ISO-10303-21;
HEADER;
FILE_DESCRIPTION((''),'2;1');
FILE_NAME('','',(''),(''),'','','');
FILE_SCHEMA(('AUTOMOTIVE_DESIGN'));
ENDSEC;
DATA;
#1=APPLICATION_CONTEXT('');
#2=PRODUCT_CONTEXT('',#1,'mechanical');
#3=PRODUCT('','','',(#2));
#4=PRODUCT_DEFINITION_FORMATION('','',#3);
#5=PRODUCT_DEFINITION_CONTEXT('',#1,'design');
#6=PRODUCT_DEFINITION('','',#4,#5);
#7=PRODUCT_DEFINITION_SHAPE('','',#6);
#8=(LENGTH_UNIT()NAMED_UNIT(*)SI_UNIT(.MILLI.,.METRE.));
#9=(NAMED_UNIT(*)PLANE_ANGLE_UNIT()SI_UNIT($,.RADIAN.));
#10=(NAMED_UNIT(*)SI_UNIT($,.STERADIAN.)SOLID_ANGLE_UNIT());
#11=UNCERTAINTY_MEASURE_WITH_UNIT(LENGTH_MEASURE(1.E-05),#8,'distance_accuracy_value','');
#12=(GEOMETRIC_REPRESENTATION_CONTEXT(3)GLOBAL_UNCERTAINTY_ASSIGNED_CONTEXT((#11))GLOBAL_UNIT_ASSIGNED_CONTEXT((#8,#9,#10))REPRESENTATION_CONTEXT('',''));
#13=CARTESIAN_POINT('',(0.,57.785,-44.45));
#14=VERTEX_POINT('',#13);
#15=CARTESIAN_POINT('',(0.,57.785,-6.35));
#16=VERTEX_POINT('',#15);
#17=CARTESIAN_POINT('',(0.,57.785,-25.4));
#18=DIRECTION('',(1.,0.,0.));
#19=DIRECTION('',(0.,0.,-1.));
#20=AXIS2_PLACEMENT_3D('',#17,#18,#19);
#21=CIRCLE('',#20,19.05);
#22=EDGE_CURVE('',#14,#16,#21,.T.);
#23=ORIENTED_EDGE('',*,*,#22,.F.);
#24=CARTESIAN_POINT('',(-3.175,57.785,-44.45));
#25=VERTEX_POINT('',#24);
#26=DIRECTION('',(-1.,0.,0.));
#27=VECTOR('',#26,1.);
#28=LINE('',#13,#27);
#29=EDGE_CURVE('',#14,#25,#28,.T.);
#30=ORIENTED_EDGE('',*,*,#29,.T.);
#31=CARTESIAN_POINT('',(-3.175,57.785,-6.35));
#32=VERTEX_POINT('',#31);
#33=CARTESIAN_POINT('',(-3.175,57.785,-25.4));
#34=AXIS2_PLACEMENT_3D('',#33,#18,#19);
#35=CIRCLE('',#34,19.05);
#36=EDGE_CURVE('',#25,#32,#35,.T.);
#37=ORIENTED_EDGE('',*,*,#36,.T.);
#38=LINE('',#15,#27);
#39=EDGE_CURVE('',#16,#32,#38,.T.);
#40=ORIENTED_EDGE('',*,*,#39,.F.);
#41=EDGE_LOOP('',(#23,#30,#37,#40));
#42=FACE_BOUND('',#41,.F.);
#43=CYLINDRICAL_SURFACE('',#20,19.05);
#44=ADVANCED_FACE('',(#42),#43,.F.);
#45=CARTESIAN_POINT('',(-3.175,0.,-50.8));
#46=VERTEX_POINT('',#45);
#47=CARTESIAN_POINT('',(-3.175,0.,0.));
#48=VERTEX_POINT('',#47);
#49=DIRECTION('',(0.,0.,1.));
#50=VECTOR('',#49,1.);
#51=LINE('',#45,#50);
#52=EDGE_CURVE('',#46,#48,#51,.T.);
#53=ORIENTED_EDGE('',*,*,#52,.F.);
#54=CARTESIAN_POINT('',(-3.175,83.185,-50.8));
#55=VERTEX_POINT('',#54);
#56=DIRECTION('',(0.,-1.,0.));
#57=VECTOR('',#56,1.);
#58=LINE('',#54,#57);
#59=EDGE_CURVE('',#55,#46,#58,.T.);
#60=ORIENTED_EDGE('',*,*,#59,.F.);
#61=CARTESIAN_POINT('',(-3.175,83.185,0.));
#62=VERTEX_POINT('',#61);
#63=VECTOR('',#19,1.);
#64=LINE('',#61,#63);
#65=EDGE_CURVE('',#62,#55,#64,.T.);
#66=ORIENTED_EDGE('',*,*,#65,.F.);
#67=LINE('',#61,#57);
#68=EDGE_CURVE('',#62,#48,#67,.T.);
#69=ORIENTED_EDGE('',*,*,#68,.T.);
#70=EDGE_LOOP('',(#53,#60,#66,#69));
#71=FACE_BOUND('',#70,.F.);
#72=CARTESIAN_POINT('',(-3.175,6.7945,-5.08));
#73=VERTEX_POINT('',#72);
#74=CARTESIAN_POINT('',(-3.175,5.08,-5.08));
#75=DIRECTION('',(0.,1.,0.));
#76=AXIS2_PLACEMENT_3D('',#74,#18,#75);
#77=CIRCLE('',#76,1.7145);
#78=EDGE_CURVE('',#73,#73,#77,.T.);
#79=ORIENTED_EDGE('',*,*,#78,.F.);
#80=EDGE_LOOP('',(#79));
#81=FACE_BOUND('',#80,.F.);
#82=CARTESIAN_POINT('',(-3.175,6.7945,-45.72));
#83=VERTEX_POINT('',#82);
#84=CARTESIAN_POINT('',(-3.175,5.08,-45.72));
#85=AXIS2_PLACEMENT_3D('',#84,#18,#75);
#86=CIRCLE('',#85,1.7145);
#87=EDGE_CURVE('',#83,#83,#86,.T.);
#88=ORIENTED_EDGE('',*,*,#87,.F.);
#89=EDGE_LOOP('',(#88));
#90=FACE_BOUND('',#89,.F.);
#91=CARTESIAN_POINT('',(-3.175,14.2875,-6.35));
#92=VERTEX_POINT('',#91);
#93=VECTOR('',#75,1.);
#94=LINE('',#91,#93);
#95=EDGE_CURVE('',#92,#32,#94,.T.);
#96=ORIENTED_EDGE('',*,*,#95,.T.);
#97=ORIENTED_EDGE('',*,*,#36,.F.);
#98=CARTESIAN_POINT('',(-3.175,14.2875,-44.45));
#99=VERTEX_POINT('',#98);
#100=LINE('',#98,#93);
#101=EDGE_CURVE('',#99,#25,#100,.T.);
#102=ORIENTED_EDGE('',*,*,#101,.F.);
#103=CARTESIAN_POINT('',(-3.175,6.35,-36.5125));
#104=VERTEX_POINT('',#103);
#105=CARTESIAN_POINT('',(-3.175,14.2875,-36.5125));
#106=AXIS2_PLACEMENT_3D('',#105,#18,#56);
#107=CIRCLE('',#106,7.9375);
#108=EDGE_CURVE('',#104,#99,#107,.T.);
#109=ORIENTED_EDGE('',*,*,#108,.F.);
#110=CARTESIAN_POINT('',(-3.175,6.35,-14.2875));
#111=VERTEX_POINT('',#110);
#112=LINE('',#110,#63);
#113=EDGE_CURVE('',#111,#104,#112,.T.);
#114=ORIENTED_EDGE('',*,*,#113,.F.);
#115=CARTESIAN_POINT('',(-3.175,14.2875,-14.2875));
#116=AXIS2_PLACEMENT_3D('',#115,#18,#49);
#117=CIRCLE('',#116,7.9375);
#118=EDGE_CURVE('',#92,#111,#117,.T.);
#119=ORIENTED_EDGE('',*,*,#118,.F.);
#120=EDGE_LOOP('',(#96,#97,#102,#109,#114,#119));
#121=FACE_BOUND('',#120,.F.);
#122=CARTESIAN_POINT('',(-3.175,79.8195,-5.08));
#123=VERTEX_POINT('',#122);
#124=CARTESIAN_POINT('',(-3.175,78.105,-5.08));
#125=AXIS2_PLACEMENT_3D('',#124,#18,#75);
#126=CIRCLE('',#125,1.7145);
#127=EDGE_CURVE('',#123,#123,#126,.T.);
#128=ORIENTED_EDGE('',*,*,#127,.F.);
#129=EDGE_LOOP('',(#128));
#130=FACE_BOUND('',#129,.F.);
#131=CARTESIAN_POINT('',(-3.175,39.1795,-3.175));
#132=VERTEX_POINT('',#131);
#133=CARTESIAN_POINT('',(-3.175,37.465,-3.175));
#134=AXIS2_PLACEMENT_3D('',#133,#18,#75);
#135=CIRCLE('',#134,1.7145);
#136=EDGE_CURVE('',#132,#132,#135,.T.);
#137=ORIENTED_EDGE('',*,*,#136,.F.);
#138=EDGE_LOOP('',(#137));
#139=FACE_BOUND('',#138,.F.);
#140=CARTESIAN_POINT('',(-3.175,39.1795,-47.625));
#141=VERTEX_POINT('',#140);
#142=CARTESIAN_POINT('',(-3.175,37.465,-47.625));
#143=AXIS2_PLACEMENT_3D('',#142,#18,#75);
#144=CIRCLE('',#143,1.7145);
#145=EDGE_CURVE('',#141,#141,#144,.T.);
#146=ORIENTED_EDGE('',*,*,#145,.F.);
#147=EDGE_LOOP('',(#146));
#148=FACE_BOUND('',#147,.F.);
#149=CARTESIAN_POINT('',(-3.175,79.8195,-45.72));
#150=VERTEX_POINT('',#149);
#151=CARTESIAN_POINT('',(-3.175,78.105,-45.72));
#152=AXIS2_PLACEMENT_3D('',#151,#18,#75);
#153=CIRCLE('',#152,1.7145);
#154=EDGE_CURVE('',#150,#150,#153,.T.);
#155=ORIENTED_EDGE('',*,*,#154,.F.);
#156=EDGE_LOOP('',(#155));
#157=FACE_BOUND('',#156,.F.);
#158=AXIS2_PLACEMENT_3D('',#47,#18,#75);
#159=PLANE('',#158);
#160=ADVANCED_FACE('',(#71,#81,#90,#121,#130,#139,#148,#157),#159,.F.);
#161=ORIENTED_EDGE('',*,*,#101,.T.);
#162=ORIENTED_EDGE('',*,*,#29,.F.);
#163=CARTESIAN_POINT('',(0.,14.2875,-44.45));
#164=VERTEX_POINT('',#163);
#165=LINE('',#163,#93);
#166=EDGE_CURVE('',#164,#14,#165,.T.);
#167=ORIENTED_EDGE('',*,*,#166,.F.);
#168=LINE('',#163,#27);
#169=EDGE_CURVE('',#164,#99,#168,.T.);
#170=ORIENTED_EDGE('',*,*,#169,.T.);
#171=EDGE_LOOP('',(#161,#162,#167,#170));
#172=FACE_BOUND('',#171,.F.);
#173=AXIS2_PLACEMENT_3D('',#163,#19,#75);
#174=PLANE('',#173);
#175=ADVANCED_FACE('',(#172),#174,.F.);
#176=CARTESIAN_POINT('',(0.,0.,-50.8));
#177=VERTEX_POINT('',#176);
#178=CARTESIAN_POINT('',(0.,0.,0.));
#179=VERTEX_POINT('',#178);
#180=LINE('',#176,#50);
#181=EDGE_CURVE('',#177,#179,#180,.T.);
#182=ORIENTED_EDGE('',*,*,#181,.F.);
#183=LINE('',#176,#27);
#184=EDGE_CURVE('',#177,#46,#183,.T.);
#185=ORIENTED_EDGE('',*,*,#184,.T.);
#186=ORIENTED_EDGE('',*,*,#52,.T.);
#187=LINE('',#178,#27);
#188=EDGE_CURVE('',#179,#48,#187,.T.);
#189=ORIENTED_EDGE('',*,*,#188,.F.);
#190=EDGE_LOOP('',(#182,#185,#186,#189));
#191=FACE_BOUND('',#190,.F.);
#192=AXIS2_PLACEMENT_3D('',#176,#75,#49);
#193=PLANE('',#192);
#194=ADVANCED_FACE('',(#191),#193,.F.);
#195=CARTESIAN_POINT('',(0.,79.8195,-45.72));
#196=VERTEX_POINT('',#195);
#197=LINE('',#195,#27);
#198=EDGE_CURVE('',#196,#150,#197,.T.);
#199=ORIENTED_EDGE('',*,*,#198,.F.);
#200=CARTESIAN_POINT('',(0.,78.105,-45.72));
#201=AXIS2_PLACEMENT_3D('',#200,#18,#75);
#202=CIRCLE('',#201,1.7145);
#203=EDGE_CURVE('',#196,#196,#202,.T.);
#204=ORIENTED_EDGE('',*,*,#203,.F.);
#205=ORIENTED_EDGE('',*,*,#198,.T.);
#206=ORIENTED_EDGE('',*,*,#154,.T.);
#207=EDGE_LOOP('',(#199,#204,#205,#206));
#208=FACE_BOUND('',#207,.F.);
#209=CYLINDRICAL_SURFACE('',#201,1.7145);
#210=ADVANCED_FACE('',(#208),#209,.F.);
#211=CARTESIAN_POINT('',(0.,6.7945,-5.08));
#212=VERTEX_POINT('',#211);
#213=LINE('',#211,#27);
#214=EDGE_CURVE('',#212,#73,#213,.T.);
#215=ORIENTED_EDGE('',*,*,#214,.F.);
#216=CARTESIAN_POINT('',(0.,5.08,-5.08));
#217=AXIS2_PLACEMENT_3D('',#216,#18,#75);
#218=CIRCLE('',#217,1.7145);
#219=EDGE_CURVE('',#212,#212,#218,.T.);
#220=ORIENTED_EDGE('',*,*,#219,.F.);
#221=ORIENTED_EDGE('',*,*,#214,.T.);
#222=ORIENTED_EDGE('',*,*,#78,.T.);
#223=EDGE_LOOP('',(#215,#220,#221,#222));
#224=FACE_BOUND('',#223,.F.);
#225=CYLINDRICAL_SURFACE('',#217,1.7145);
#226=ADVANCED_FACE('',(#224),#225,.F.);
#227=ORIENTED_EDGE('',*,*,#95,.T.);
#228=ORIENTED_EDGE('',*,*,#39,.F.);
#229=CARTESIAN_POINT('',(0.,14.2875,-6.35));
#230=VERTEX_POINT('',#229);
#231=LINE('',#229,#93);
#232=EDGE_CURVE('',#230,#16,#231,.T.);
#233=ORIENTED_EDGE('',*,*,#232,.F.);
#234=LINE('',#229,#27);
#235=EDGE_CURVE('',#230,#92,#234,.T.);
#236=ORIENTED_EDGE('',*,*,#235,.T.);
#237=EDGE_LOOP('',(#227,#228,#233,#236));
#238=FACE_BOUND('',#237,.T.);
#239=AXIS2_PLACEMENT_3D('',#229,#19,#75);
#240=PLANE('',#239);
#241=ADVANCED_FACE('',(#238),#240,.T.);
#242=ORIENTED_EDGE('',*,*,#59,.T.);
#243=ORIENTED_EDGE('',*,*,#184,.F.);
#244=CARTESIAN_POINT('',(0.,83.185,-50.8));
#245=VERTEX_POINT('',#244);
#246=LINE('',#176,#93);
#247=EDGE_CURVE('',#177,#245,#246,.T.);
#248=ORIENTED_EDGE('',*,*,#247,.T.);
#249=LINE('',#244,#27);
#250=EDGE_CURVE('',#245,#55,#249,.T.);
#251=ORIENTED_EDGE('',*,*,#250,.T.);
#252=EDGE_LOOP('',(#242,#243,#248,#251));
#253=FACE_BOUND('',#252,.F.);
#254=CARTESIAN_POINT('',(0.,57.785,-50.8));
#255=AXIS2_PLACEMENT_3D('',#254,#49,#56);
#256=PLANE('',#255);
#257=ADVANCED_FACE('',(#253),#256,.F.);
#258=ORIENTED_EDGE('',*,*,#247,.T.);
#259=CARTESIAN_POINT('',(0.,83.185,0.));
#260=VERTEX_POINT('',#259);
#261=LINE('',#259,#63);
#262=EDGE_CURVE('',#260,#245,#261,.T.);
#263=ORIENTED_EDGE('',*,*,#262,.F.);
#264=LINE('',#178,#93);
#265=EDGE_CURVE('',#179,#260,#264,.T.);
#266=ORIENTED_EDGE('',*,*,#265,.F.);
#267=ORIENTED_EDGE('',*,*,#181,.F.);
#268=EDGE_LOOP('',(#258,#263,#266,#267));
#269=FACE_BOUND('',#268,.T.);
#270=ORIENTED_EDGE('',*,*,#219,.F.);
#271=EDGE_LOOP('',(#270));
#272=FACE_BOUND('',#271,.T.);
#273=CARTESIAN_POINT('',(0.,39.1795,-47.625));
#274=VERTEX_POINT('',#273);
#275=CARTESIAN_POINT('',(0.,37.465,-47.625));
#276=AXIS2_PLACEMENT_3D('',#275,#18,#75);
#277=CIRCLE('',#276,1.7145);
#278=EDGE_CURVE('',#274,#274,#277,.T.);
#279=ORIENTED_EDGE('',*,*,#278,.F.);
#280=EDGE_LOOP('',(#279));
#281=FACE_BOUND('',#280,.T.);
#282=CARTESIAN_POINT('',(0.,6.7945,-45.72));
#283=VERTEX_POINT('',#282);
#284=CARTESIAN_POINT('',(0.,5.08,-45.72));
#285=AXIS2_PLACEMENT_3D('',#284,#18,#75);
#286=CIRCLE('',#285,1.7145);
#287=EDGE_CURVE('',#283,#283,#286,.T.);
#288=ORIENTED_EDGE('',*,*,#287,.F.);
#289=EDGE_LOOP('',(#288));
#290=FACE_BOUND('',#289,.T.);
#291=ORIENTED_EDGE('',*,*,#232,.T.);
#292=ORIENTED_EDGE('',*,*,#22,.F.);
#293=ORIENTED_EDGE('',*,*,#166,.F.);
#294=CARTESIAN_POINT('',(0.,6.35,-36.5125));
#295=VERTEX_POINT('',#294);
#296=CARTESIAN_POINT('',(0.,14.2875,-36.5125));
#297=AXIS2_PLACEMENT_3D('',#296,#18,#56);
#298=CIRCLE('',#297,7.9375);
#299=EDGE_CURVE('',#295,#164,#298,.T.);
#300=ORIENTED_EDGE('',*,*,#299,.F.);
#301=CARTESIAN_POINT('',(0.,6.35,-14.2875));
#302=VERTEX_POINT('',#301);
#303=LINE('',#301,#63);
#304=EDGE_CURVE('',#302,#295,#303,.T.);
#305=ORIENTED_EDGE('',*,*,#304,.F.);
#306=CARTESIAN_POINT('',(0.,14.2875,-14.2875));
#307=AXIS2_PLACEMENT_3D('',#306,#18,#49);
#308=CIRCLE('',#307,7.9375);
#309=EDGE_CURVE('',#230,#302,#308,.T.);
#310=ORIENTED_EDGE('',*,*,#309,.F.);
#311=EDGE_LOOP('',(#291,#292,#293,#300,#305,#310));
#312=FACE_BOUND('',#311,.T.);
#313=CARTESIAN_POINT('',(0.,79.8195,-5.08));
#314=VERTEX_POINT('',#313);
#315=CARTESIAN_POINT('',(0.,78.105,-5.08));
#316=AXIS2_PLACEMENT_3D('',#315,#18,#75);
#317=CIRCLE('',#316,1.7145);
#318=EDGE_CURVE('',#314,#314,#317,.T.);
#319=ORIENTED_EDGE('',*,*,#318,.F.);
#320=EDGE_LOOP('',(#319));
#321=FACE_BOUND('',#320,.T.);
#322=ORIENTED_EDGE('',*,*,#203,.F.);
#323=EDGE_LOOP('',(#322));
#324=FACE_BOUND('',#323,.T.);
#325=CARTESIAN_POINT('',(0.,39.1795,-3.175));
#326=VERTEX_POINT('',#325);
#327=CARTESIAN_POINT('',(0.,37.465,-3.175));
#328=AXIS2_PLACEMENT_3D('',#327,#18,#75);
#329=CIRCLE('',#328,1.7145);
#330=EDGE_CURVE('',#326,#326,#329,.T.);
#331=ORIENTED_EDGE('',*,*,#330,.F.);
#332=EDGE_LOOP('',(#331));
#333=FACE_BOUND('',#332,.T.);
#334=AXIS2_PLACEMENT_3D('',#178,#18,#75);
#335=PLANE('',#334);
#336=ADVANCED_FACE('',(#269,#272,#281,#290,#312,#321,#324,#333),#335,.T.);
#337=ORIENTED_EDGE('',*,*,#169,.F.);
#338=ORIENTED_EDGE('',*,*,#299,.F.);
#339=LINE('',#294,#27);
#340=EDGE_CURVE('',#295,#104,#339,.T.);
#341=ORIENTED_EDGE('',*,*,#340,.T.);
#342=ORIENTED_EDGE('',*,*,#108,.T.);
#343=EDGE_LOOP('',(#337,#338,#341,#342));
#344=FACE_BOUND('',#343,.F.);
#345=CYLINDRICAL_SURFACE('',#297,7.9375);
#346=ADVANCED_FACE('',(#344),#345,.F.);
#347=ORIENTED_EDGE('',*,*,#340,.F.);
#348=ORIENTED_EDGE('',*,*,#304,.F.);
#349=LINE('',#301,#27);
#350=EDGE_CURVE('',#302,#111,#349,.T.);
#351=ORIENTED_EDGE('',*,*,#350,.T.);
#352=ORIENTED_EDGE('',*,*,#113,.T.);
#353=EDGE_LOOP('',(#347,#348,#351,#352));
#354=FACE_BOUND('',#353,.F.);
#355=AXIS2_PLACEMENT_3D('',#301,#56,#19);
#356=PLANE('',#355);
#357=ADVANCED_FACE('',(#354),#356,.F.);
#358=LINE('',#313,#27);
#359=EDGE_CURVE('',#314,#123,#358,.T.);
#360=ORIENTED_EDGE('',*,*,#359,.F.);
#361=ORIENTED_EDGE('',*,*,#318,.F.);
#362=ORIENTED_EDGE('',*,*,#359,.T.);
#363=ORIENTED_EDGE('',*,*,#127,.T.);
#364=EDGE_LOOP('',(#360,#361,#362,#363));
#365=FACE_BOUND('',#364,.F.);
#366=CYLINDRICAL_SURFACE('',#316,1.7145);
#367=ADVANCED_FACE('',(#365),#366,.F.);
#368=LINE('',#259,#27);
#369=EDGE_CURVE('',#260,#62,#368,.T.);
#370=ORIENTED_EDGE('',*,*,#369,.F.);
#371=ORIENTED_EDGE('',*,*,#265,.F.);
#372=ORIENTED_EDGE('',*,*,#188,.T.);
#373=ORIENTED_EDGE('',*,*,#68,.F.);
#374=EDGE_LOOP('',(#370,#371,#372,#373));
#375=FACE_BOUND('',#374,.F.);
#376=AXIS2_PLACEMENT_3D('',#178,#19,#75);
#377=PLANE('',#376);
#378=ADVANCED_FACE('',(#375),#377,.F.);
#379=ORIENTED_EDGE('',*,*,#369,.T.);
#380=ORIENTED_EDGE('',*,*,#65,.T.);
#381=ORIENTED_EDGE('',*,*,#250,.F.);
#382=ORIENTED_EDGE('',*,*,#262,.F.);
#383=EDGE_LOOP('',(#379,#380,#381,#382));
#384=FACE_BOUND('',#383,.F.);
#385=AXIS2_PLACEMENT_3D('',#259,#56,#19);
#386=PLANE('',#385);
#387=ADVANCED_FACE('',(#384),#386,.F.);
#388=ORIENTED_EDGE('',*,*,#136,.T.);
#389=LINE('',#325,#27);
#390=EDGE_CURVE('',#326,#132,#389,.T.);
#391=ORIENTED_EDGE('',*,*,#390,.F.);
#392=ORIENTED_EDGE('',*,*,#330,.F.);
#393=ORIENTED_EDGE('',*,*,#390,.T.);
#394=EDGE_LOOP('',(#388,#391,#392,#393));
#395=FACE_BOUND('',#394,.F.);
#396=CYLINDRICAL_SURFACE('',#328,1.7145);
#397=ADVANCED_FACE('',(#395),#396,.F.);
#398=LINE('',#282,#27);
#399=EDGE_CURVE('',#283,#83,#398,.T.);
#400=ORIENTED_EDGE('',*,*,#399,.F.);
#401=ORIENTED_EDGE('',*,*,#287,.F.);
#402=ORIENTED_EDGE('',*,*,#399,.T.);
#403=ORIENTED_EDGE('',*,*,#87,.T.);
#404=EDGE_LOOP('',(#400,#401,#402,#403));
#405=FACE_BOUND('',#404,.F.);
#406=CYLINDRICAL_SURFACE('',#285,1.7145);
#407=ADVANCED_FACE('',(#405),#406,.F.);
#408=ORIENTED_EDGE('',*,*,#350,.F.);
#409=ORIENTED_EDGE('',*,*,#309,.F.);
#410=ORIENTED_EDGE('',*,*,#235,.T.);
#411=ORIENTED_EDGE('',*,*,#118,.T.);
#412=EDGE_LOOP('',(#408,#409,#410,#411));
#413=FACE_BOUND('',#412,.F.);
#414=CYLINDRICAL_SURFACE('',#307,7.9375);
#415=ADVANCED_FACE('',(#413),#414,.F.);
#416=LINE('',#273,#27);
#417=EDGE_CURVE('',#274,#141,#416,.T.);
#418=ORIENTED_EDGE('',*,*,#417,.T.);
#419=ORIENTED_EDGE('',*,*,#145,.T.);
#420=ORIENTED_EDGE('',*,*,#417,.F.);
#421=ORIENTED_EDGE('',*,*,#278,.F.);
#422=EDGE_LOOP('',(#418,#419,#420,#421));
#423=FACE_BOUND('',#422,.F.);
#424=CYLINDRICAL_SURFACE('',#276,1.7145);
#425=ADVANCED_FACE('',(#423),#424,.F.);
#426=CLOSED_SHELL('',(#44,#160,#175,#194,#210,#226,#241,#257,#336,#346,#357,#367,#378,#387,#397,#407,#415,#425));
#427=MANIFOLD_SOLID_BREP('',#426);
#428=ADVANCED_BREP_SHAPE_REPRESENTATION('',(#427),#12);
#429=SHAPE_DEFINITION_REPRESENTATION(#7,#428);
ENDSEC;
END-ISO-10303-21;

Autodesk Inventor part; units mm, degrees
ref_plane "YZ Plane" through (0, 0, 0) normal (1, 0, 0) x (0, 1, 0)
ref_plane "XZ Plane" through (0, 0, 0) normal (0, 1, 0) x (-1, 0, 0)
ref_plane "XY Plane" through (0, 0, 0) normal (0, 0, 1) x (1, 0, 0)
sketch "Sketch1" plane through (0, 0, 0) normal (1, 0, 0) x (0, 1, 0)
  line L0 (0, 0) -> (83.185, 0)
  line L1 (83.185, 0) -> (83.185, -50.8)
  line L2 (83.185, -50.8) -> (0, -50.8)
  line L3 (0, -50.8) -> (0, 0)
  arc A0 (57.785, -44.45) -> (57.785, -6.35) centre (57.785, -25.4) ccw
  arc A1 (14.2875, -6.35) -> (6.35, -14.2875) centre (14.2875, -14.2875) ccw
  arc A2 (6.35, -36.5125) -> (14.2875, -44.45) centre (14.2875, -36.5125) ccw
  line L4 (14.2875, -44.45) -> (57.785, -44.45)
  line L5 (14.2875, -6.35) -> (57.785, -6.35)
  line L6 (6.35, -14.2875) -> (6.35, -36.5125)
  line L7 (57.785, 0) -> (57.785, -50.8)
  circle A3 centre (37.465, -3.175) radius 1.7145
  circle A4 centre (37.465, -47.625) radius 1.7145
  circle A5 centre (5.08, -45.72) radius 1.7145
  circle A6 centre (5.08, -5.08) radius 1.7145
  circle A7 centre (78.105, -5.08) radius 1.7145
  circle A8 centre (78.105, -45.72) radius 1.7145
  dimension "d0" = 83.185
  dimension "d1" = 50.8
  dimension "d2" = 38.1
  dimension "d3" = 25.4
  dimension "d4" = 25.4
  dimension "d5" = 15.875
  dimension "d6" = 15.875
  dimension "d7" = 14.2875
  dimension "d8" = 14.2875
  dimension "d9" = 14.2875
  dimension "d10" = 14.2875
  dimension "d19" = 25.4
  dimension "d20" = 3.175
  dimension "d21" = 3.175
  dimension "d28" = 3.429
  dimension "d29" = 5.08
  dimension "d30" = 5.08
  dimension "d31" = 45.72
  dimension "d32" = 45.72
  dimension "d33" = 3.429
  dimension "d34" = 3.429
  dimension "d35" = 5.08
  dimension "d36" = 5.08
  dimension "d37" = 5.08
  dimension "d38" = 5.08
  dimension "d39" = 5.08
  dimension "d40" = 5.08
extrude "Extrusion1" add sketch "Sketch1" against normal blind 3.175 contours L0 L7 L5 A1 L6 A2 L4 L2 L3 | L0 L1 L2 L7 A0
properties part number "Engine Head Gasket"
